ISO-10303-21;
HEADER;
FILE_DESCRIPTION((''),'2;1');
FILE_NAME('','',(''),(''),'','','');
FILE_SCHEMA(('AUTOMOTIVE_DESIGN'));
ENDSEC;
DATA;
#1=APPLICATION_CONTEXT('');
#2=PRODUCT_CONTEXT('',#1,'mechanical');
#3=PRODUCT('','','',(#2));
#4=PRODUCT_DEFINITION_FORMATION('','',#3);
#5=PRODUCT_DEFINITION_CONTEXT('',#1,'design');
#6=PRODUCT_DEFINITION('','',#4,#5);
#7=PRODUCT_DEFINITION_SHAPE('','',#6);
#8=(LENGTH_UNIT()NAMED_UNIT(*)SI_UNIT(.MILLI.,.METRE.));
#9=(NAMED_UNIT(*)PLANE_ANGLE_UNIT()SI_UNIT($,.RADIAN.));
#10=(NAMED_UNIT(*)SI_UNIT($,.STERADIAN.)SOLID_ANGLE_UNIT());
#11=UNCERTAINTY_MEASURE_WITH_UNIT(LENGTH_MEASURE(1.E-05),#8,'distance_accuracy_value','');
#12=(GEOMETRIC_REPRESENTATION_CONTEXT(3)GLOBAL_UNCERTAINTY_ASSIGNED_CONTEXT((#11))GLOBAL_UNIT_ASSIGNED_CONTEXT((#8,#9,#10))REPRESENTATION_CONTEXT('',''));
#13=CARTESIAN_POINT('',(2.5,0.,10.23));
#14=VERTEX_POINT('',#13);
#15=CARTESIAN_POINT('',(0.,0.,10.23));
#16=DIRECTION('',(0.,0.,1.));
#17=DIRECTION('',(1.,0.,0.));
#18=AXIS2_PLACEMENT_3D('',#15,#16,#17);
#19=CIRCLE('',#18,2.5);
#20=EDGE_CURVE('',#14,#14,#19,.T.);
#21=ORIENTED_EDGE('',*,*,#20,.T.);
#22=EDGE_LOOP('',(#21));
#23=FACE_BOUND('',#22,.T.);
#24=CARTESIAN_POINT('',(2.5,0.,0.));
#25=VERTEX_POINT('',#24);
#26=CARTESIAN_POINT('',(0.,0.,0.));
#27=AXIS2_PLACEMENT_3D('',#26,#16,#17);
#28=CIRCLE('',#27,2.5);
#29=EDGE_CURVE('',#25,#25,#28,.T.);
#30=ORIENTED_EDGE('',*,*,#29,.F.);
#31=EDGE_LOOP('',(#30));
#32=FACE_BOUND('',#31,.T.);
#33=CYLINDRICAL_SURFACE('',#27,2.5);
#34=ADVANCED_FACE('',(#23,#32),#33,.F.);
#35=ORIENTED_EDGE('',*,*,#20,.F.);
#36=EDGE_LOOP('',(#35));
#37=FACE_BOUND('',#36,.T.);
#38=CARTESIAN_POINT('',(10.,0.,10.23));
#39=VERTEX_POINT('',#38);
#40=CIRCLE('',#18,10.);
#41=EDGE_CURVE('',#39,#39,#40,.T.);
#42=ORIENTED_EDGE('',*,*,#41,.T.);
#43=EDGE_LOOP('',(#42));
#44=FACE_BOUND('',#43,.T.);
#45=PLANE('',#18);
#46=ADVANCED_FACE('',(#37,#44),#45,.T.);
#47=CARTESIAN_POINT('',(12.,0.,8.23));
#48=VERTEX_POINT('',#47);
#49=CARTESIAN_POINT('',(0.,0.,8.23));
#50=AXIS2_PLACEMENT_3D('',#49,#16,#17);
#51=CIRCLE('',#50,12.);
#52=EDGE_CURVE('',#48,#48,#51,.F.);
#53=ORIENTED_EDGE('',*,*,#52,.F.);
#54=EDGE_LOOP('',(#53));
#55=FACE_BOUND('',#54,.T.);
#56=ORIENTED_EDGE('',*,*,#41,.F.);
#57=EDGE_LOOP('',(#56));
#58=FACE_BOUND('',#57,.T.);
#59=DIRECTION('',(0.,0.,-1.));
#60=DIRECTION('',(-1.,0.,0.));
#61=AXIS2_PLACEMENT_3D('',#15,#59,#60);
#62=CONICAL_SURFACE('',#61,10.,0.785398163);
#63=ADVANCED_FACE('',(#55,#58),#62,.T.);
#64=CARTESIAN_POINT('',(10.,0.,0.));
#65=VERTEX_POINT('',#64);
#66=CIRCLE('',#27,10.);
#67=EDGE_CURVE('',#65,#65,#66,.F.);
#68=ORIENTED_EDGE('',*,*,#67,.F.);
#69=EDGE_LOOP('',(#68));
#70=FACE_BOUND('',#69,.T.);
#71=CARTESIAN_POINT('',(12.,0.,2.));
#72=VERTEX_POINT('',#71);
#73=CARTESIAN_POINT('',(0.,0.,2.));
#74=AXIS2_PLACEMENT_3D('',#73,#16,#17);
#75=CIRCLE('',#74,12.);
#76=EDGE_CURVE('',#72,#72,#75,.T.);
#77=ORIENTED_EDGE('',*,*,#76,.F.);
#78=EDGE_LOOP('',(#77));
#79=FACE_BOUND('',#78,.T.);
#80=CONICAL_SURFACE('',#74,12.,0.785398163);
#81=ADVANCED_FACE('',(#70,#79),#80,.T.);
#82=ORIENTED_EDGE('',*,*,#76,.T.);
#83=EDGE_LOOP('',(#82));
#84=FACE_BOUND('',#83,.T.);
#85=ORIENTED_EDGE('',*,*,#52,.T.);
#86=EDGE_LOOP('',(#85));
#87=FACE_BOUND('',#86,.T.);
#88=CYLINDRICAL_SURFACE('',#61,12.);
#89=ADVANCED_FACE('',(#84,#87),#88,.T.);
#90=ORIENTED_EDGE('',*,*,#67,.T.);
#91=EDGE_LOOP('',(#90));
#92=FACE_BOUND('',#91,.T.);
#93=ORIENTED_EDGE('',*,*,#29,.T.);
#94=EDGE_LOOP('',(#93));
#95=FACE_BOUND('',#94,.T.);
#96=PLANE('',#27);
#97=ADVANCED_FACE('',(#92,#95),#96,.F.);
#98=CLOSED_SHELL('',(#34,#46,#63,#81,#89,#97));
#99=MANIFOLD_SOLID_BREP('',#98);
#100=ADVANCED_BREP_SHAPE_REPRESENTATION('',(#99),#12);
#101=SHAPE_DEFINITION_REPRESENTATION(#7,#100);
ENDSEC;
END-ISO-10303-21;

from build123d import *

# Parameters (mm, degrees)
SKETCH2_R           = 12
BOSS_EXTRUDE1_DEPTH = 10.23
SKETCH3_R           = 2.5
CUT_EXTRUDE1_DEPTH  = 20.815471228
CHAMFER1_SIZE       = 2
CHAMFER2_SIZE       = 2


with BuildPart() as part:
    # Sketch2 → Boss-Extrude1 (new body)
    with BuildSketch(Plane.XY):
        Circle(SKETCH2_R)
    extrude(amount=BOSS_EXTRUDE1_DEPTH)

    # Sketch3 → Cut-Extrude1 (cut, through all)
    with BuildSketch(Plane.XY.offset(10.23)):
        Circle(SKETCH3_R)
    extrude(amount=-CUT_EXTRUDE1_DEPTH, mode=Mode.SUBTRACT)

    # Chamfer1
    chamfer1_edges = [part.edges().sort_by_distance(p)[0] for p in [
        (-12, 0, 10.23),
    ]]
    chamfer(chamfer1_edges, length=CHAMFER1_SIZE)

    # Chamfer2
    chamfer2_edges = [part.edges().sort_by_distance(p)[0] for p in [
        (-12, 0, 0),
    ]]
    chamfer(chamfer2_edges, length=CHAMFER2_SIZE)


solid = part.part
